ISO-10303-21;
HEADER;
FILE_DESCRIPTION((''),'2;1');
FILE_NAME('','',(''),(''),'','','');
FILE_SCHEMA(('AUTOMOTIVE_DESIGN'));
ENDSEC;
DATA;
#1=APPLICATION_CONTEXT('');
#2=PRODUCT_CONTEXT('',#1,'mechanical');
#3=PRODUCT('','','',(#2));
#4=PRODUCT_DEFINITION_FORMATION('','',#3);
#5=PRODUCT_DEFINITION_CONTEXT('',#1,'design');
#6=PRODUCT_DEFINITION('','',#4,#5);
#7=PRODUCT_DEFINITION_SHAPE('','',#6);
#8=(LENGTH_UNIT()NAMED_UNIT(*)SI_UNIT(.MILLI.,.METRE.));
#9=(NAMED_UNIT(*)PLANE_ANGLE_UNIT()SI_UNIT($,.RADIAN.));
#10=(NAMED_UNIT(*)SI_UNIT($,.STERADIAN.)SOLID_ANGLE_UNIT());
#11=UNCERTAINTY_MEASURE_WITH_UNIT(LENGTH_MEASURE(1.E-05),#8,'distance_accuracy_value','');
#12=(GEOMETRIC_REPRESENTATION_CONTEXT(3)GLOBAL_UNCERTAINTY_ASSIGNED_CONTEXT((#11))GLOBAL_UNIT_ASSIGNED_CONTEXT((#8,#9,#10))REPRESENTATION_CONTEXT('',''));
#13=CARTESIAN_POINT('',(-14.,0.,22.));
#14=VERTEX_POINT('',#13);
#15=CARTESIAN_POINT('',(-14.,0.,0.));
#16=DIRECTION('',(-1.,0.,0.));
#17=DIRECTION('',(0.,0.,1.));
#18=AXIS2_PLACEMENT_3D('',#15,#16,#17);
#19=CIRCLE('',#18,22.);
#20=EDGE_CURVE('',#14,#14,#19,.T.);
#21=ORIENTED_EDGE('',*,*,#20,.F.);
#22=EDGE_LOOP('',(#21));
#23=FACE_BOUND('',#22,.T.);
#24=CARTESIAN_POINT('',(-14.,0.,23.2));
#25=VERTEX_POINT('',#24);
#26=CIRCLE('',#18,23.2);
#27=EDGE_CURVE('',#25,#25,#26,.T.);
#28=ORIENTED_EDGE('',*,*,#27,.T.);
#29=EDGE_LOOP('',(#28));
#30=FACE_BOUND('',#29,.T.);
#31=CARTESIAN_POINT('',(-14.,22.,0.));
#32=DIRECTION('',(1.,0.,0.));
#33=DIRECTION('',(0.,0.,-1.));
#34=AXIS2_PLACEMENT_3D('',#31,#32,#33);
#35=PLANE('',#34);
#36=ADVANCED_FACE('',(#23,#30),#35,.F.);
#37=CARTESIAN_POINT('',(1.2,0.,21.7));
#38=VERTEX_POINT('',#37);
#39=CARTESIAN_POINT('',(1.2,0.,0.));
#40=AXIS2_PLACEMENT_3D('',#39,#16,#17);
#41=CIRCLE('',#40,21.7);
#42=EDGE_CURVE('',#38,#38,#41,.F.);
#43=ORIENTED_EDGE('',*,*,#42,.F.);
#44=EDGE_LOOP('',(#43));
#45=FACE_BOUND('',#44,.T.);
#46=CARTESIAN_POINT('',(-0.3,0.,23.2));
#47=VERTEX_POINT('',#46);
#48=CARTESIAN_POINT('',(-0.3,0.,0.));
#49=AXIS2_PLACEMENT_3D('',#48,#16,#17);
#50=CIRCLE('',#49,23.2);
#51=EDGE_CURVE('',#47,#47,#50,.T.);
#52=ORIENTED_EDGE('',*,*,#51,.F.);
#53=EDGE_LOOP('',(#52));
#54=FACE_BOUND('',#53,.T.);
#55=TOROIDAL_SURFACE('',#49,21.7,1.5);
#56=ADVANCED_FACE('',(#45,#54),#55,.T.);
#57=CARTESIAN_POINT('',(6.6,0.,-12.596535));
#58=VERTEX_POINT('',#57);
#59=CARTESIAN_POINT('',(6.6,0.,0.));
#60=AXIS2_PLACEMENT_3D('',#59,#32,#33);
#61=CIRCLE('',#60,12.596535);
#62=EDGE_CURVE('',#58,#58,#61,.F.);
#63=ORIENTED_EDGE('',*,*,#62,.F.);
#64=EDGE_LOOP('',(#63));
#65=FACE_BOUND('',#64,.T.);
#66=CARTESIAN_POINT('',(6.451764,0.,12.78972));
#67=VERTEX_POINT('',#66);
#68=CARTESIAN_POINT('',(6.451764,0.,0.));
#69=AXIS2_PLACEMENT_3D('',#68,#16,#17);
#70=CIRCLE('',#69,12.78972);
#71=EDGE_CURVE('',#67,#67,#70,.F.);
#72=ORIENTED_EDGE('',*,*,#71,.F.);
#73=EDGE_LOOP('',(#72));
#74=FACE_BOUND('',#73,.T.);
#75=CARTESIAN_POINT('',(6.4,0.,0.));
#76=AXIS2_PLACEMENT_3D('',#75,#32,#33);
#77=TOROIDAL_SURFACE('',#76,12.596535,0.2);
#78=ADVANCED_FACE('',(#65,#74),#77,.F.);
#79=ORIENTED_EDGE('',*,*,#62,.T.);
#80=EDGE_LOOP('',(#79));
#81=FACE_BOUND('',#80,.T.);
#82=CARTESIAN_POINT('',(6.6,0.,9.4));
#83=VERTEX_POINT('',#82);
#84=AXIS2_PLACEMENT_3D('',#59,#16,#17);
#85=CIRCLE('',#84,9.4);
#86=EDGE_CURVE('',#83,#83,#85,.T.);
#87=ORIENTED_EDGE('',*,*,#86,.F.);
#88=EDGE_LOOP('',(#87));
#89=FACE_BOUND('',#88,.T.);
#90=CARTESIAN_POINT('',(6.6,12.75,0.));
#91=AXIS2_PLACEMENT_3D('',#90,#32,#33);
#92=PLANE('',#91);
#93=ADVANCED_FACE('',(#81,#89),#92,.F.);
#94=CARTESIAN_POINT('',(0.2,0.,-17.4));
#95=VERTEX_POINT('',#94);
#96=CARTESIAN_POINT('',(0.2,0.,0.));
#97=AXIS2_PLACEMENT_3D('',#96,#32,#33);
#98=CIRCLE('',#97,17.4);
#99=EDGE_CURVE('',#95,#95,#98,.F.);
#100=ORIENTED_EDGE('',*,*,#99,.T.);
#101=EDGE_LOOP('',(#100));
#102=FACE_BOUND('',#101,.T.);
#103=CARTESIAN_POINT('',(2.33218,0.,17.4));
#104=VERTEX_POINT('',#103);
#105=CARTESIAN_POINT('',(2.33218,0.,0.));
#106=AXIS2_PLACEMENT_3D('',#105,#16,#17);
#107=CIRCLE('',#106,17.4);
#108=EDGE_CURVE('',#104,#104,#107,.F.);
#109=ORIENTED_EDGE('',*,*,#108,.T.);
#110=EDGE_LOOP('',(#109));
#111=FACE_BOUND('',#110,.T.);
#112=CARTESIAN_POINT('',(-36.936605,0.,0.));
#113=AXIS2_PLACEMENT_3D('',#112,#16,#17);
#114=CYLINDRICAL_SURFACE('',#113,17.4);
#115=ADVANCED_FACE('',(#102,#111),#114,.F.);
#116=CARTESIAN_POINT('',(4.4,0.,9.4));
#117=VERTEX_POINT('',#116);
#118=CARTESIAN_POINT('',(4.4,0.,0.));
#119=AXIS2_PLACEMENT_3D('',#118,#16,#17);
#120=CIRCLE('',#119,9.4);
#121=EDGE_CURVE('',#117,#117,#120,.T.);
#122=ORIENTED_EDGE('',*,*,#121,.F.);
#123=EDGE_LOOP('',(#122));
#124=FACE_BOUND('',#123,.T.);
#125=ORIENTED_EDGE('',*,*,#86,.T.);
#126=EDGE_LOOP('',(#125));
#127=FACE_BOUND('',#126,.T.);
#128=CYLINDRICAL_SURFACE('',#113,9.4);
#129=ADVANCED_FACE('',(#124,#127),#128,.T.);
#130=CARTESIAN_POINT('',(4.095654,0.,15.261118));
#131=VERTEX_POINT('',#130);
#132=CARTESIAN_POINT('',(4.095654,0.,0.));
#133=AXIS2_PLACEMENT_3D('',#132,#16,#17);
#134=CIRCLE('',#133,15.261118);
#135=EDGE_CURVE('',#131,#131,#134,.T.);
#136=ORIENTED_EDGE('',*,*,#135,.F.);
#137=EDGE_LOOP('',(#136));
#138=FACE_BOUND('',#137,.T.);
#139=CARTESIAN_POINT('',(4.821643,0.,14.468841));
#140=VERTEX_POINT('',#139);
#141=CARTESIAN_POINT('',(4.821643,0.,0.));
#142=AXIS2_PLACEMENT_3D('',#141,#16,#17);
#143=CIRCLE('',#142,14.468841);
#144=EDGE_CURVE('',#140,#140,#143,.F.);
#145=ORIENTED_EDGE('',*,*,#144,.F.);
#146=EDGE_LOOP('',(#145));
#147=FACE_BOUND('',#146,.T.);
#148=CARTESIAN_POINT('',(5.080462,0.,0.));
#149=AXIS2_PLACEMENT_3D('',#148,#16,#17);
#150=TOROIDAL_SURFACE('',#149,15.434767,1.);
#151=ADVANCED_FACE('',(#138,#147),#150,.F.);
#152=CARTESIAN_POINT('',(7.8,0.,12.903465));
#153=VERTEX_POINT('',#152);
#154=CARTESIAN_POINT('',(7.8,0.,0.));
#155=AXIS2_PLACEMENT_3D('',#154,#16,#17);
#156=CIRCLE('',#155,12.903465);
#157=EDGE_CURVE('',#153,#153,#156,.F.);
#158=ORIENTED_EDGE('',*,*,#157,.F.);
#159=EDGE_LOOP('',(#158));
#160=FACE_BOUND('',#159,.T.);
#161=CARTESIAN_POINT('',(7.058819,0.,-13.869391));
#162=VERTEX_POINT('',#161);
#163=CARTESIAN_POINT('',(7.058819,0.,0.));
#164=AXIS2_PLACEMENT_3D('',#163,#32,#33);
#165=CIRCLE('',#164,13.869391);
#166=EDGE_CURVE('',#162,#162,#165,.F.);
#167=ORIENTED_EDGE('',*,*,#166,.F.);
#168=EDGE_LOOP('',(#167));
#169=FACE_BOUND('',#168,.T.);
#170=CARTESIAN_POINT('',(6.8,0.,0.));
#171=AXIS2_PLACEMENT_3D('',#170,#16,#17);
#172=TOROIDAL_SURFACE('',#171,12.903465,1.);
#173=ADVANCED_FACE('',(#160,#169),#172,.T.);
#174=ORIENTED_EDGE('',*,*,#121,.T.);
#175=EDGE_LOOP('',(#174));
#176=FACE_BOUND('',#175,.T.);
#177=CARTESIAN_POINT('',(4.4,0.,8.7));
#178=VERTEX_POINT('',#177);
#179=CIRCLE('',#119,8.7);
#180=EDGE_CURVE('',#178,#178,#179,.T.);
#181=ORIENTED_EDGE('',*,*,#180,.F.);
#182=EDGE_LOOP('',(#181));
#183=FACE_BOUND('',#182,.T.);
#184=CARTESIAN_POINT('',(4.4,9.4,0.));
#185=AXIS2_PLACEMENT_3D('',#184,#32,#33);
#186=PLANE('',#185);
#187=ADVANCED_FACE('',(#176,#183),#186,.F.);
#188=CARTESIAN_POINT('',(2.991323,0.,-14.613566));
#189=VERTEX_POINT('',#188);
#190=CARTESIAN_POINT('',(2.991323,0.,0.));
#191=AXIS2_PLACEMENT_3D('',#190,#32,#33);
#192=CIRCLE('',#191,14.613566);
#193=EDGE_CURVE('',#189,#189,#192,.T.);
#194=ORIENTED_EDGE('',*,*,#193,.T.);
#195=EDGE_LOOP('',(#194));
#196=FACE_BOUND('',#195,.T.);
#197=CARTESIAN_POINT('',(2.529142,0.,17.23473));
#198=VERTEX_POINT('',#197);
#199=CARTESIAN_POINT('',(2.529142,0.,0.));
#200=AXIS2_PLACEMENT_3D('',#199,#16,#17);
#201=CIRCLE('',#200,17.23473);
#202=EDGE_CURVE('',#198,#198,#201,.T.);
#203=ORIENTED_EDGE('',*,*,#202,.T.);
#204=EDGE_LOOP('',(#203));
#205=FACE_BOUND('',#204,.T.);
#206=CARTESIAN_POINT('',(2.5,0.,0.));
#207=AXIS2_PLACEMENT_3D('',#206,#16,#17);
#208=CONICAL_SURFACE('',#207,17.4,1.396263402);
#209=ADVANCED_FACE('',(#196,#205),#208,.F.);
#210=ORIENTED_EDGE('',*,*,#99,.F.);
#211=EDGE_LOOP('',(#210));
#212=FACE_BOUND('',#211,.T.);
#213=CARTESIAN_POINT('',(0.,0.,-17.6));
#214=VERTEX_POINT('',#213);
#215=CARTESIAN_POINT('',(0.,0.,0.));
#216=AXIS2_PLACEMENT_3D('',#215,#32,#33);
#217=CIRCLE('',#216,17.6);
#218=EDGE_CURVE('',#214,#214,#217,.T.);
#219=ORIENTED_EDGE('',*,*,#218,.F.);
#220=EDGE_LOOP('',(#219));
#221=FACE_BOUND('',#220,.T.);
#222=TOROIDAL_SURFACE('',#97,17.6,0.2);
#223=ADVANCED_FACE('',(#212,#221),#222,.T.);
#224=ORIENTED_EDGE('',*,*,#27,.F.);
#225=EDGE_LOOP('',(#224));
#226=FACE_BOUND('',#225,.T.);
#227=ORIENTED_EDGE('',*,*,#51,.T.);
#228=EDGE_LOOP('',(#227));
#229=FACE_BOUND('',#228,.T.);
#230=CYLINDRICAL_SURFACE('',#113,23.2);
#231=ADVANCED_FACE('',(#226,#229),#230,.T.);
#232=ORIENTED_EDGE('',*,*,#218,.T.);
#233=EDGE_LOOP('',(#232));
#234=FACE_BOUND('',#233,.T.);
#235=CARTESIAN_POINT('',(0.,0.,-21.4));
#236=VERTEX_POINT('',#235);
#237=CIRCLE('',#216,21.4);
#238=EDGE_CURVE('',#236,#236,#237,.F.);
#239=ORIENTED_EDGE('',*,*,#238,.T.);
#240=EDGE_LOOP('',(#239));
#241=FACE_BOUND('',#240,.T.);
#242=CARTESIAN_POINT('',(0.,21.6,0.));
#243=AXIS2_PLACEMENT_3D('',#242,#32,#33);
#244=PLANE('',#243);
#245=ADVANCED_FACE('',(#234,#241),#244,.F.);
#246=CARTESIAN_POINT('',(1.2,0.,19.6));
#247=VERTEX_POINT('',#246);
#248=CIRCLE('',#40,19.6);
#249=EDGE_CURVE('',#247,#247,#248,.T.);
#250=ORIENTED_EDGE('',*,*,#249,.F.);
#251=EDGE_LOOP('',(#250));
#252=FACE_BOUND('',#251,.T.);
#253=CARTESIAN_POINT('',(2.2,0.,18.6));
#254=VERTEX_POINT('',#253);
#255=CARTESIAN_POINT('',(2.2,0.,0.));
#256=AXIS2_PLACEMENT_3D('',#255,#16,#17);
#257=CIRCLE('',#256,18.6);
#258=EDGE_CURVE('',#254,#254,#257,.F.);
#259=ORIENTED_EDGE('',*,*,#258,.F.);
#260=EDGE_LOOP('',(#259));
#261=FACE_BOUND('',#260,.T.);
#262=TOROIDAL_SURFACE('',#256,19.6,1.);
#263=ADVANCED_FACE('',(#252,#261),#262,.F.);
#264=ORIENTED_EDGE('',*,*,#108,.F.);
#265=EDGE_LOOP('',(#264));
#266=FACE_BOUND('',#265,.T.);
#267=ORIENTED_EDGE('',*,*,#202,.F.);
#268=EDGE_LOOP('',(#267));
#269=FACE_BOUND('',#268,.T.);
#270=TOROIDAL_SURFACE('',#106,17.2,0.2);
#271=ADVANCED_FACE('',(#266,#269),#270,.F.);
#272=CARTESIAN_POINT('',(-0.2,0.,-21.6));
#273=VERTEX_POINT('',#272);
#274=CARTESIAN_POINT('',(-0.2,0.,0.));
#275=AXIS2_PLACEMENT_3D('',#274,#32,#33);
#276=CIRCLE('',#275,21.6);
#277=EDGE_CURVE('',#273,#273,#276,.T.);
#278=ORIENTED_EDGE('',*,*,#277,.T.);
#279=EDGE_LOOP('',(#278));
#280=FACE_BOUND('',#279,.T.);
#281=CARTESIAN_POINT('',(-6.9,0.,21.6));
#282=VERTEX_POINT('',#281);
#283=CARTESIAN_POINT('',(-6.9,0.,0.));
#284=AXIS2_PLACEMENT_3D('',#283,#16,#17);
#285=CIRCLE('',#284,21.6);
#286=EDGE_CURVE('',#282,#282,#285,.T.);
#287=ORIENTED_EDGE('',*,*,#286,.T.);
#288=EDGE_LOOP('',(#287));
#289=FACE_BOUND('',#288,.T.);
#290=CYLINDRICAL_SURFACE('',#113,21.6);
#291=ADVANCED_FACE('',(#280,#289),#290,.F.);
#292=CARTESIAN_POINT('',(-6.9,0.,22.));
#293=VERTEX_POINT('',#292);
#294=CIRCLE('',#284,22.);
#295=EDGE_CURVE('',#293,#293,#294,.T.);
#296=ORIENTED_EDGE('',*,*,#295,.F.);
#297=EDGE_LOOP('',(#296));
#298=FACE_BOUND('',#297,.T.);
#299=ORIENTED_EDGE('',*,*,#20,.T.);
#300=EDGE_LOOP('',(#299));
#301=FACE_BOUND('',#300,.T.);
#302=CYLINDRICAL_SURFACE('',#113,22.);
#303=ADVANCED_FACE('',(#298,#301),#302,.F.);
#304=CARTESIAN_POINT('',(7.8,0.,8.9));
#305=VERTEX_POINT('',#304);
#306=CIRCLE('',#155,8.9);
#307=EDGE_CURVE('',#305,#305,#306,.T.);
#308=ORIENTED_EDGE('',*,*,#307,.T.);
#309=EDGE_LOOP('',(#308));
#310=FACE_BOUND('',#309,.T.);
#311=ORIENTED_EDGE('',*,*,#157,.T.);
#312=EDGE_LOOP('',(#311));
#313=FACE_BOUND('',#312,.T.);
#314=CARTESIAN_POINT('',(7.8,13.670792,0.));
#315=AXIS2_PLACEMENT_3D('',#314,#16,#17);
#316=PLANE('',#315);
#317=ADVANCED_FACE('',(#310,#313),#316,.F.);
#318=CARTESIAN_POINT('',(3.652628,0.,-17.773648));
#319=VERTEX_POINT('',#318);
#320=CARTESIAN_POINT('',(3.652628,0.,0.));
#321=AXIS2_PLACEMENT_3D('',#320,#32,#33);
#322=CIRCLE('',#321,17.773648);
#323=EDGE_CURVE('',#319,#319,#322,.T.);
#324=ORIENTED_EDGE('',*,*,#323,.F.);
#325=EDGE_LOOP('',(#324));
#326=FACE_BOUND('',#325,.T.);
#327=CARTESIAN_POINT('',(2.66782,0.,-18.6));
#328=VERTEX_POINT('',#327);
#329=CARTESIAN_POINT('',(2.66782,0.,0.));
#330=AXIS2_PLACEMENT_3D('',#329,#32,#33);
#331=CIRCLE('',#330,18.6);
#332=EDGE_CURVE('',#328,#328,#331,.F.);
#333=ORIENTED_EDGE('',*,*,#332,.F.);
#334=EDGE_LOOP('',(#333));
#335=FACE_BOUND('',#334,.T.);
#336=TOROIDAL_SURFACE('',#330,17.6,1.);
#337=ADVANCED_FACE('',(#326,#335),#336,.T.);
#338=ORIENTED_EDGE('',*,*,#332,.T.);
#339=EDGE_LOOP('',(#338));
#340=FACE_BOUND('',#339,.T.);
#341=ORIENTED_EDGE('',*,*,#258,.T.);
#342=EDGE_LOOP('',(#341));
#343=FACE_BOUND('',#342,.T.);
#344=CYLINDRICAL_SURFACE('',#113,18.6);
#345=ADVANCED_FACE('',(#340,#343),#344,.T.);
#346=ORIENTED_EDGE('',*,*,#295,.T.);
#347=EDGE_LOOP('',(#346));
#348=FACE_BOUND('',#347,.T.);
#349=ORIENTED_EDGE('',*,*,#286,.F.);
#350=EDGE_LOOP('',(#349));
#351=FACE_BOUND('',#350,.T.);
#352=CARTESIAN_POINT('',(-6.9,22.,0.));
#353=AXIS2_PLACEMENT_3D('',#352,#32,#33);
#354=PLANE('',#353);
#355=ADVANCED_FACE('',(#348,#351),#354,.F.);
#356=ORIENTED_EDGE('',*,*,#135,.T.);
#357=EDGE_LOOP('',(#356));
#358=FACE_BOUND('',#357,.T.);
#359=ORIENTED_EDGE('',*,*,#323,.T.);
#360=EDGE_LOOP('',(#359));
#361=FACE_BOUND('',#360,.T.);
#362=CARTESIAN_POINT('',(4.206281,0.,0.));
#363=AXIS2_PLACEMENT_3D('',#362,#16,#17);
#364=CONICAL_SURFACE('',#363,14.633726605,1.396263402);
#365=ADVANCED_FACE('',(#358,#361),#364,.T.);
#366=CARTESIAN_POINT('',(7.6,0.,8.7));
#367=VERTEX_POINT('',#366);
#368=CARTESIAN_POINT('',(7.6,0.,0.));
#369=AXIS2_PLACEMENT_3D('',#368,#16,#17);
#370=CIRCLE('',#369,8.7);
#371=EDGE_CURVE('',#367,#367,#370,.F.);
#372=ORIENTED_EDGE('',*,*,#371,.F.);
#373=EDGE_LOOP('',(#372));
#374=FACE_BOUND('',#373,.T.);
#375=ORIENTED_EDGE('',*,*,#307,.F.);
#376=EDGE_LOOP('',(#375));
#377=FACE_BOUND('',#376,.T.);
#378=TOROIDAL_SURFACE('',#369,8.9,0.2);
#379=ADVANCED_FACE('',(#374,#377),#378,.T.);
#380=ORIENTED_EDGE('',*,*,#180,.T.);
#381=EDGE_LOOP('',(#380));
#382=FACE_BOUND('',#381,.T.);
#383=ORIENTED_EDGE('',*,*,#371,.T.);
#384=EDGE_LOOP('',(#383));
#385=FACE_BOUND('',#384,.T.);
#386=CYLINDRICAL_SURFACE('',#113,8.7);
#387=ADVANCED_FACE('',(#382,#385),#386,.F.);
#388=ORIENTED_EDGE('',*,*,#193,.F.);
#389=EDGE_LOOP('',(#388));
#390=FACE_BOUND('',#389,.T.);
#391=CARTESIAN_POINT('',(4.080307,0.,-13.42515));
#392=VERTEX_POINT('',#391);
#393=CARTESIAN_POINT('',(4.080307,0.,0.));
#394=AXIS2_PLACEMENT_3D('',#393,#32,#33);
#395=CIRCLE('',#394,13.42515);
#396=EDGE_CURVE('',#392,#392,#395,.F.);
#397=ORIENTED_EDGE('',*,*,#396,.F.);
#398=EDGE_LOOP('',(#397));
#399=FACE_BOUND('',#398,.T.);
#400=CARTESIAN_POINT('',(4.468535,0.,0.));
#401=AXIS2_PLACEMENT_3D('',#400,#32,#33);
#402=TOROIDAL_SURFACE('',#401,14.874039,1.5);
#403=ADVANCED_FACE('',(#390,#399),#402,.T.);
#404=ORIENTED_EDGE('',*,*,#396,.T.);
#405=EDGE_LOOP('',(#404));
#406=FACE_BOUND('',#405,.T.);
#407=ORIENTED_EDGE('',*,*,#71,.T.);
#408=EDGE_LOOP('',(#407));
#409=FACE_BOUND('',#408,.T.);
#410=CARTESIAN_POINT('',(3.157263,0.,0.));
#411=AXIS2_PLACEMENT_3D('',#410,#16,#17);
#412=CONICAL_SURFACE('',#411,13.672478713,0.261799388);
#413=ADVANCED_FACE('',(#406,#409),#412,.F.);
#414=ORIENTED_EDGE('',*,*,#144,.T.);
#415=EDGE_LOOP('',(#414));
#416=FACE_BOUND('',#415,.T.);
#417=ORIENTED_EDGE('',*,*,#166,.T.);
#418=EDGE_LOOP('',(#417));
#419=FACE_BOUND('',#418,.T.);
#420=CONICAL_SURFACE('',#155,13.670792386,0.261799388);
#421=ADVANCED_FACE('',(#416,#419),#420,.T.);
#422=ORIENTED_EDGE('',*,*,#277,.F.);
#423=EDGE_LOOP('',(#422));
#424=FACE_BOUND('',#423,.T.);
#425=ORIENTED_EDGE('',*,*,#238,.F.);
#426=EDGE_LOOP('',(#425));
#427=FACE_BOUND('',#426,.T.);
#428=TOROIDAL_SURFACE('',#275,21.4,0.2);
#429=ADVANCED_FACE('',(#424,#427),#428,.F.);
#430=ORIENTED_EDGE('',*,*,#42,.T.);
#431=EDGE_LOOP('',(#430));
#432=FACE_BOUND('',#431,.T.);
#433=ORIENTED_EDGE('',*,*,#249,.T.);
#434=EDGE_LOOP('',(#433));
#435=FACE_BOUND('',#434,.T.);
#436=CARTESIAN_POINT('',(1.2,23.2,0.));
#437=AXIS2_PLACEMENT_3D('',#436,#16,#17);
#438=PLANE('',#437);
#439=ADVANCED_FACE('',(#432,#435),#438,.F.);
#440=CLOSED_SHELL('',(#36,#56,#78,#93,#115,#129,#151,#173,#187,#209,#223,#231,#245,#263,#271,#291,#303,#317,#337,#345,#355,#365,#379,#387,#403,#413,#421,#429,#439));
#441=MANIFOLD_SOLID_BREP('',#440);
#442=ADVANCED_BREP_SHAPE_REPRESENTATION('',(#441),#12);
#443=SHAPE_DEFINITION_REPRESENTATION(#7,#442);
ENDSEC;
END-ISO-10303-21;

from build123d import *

# Parameters (mm, degrees)
FILLET_1_R = 0.2
FILLET_2_R = 1
FILLET_3_R = 1.5


with BuildPart() as part:
    # 草图2 → 旋转1 (revolve)
    with BuildSketch(Plane.XY, mode=Mode.PRIVATE) as revolve_1_sk:
        Polygon((-14, 22), (-6.9, 22), (-6.9, 21.6), (0, 21.6), (0, 17.4), (2.5, 17.4), (3.157262574, 13.672478713), (6.6, 12.75), (6.6, 9.4), (4.4, 9.4), (4.4, 8.7), (7.8, 8.7), (7.8, 13.670792386), (4.20628057, 14.633726605), (3.506919557, 18.6), (1.2, 18.6), (1.2, 23.2), (-14, 23.2), align=None)
    revolve(revolve_1_sk.sketch.rotate(Axis((-36.936605317, 0, 0), (1, 0, 0)), 90), axis=Axis((-36.936605317, 0, 0), (1, 0, 0)))

    # 圆角1
    fillet_1_edges = [part.edges().sort_by_distance(p)[0] for p in [
        (0, 0, -21.6),
        (0, 0, -17.4),
        (2.5, 0, -17.4),
        (6.6, 0, -12.75),
        (7.8, 0, -8.7),
    ]]
    fillet(fillet_1_edges, radius=FILLET_1_R)

    # 圆角2
    fillet_2_edges = [part.edges().sort_by_distance(p)[0] for p in [
        (7.8, 0, -13.670792386),
        (4.20628057, 0, -14.633726605),
        (3.506919557, 0, -18.6),
        (1.2, 0, -18.6),
    ]]
    fillet(fillet_2_edges, radius=FILLET_2_R)

    # 圆角3
    fillet_3_edges = [part.edges().sort_by_distance(p)[0] for p in [
        (3.157262574, 0, -13.672478713),
        (1.2, 0, -23.2),
    ]]
    fillet(fillet_3_edges, radius=FILLET_3_R)


solid = part.part
